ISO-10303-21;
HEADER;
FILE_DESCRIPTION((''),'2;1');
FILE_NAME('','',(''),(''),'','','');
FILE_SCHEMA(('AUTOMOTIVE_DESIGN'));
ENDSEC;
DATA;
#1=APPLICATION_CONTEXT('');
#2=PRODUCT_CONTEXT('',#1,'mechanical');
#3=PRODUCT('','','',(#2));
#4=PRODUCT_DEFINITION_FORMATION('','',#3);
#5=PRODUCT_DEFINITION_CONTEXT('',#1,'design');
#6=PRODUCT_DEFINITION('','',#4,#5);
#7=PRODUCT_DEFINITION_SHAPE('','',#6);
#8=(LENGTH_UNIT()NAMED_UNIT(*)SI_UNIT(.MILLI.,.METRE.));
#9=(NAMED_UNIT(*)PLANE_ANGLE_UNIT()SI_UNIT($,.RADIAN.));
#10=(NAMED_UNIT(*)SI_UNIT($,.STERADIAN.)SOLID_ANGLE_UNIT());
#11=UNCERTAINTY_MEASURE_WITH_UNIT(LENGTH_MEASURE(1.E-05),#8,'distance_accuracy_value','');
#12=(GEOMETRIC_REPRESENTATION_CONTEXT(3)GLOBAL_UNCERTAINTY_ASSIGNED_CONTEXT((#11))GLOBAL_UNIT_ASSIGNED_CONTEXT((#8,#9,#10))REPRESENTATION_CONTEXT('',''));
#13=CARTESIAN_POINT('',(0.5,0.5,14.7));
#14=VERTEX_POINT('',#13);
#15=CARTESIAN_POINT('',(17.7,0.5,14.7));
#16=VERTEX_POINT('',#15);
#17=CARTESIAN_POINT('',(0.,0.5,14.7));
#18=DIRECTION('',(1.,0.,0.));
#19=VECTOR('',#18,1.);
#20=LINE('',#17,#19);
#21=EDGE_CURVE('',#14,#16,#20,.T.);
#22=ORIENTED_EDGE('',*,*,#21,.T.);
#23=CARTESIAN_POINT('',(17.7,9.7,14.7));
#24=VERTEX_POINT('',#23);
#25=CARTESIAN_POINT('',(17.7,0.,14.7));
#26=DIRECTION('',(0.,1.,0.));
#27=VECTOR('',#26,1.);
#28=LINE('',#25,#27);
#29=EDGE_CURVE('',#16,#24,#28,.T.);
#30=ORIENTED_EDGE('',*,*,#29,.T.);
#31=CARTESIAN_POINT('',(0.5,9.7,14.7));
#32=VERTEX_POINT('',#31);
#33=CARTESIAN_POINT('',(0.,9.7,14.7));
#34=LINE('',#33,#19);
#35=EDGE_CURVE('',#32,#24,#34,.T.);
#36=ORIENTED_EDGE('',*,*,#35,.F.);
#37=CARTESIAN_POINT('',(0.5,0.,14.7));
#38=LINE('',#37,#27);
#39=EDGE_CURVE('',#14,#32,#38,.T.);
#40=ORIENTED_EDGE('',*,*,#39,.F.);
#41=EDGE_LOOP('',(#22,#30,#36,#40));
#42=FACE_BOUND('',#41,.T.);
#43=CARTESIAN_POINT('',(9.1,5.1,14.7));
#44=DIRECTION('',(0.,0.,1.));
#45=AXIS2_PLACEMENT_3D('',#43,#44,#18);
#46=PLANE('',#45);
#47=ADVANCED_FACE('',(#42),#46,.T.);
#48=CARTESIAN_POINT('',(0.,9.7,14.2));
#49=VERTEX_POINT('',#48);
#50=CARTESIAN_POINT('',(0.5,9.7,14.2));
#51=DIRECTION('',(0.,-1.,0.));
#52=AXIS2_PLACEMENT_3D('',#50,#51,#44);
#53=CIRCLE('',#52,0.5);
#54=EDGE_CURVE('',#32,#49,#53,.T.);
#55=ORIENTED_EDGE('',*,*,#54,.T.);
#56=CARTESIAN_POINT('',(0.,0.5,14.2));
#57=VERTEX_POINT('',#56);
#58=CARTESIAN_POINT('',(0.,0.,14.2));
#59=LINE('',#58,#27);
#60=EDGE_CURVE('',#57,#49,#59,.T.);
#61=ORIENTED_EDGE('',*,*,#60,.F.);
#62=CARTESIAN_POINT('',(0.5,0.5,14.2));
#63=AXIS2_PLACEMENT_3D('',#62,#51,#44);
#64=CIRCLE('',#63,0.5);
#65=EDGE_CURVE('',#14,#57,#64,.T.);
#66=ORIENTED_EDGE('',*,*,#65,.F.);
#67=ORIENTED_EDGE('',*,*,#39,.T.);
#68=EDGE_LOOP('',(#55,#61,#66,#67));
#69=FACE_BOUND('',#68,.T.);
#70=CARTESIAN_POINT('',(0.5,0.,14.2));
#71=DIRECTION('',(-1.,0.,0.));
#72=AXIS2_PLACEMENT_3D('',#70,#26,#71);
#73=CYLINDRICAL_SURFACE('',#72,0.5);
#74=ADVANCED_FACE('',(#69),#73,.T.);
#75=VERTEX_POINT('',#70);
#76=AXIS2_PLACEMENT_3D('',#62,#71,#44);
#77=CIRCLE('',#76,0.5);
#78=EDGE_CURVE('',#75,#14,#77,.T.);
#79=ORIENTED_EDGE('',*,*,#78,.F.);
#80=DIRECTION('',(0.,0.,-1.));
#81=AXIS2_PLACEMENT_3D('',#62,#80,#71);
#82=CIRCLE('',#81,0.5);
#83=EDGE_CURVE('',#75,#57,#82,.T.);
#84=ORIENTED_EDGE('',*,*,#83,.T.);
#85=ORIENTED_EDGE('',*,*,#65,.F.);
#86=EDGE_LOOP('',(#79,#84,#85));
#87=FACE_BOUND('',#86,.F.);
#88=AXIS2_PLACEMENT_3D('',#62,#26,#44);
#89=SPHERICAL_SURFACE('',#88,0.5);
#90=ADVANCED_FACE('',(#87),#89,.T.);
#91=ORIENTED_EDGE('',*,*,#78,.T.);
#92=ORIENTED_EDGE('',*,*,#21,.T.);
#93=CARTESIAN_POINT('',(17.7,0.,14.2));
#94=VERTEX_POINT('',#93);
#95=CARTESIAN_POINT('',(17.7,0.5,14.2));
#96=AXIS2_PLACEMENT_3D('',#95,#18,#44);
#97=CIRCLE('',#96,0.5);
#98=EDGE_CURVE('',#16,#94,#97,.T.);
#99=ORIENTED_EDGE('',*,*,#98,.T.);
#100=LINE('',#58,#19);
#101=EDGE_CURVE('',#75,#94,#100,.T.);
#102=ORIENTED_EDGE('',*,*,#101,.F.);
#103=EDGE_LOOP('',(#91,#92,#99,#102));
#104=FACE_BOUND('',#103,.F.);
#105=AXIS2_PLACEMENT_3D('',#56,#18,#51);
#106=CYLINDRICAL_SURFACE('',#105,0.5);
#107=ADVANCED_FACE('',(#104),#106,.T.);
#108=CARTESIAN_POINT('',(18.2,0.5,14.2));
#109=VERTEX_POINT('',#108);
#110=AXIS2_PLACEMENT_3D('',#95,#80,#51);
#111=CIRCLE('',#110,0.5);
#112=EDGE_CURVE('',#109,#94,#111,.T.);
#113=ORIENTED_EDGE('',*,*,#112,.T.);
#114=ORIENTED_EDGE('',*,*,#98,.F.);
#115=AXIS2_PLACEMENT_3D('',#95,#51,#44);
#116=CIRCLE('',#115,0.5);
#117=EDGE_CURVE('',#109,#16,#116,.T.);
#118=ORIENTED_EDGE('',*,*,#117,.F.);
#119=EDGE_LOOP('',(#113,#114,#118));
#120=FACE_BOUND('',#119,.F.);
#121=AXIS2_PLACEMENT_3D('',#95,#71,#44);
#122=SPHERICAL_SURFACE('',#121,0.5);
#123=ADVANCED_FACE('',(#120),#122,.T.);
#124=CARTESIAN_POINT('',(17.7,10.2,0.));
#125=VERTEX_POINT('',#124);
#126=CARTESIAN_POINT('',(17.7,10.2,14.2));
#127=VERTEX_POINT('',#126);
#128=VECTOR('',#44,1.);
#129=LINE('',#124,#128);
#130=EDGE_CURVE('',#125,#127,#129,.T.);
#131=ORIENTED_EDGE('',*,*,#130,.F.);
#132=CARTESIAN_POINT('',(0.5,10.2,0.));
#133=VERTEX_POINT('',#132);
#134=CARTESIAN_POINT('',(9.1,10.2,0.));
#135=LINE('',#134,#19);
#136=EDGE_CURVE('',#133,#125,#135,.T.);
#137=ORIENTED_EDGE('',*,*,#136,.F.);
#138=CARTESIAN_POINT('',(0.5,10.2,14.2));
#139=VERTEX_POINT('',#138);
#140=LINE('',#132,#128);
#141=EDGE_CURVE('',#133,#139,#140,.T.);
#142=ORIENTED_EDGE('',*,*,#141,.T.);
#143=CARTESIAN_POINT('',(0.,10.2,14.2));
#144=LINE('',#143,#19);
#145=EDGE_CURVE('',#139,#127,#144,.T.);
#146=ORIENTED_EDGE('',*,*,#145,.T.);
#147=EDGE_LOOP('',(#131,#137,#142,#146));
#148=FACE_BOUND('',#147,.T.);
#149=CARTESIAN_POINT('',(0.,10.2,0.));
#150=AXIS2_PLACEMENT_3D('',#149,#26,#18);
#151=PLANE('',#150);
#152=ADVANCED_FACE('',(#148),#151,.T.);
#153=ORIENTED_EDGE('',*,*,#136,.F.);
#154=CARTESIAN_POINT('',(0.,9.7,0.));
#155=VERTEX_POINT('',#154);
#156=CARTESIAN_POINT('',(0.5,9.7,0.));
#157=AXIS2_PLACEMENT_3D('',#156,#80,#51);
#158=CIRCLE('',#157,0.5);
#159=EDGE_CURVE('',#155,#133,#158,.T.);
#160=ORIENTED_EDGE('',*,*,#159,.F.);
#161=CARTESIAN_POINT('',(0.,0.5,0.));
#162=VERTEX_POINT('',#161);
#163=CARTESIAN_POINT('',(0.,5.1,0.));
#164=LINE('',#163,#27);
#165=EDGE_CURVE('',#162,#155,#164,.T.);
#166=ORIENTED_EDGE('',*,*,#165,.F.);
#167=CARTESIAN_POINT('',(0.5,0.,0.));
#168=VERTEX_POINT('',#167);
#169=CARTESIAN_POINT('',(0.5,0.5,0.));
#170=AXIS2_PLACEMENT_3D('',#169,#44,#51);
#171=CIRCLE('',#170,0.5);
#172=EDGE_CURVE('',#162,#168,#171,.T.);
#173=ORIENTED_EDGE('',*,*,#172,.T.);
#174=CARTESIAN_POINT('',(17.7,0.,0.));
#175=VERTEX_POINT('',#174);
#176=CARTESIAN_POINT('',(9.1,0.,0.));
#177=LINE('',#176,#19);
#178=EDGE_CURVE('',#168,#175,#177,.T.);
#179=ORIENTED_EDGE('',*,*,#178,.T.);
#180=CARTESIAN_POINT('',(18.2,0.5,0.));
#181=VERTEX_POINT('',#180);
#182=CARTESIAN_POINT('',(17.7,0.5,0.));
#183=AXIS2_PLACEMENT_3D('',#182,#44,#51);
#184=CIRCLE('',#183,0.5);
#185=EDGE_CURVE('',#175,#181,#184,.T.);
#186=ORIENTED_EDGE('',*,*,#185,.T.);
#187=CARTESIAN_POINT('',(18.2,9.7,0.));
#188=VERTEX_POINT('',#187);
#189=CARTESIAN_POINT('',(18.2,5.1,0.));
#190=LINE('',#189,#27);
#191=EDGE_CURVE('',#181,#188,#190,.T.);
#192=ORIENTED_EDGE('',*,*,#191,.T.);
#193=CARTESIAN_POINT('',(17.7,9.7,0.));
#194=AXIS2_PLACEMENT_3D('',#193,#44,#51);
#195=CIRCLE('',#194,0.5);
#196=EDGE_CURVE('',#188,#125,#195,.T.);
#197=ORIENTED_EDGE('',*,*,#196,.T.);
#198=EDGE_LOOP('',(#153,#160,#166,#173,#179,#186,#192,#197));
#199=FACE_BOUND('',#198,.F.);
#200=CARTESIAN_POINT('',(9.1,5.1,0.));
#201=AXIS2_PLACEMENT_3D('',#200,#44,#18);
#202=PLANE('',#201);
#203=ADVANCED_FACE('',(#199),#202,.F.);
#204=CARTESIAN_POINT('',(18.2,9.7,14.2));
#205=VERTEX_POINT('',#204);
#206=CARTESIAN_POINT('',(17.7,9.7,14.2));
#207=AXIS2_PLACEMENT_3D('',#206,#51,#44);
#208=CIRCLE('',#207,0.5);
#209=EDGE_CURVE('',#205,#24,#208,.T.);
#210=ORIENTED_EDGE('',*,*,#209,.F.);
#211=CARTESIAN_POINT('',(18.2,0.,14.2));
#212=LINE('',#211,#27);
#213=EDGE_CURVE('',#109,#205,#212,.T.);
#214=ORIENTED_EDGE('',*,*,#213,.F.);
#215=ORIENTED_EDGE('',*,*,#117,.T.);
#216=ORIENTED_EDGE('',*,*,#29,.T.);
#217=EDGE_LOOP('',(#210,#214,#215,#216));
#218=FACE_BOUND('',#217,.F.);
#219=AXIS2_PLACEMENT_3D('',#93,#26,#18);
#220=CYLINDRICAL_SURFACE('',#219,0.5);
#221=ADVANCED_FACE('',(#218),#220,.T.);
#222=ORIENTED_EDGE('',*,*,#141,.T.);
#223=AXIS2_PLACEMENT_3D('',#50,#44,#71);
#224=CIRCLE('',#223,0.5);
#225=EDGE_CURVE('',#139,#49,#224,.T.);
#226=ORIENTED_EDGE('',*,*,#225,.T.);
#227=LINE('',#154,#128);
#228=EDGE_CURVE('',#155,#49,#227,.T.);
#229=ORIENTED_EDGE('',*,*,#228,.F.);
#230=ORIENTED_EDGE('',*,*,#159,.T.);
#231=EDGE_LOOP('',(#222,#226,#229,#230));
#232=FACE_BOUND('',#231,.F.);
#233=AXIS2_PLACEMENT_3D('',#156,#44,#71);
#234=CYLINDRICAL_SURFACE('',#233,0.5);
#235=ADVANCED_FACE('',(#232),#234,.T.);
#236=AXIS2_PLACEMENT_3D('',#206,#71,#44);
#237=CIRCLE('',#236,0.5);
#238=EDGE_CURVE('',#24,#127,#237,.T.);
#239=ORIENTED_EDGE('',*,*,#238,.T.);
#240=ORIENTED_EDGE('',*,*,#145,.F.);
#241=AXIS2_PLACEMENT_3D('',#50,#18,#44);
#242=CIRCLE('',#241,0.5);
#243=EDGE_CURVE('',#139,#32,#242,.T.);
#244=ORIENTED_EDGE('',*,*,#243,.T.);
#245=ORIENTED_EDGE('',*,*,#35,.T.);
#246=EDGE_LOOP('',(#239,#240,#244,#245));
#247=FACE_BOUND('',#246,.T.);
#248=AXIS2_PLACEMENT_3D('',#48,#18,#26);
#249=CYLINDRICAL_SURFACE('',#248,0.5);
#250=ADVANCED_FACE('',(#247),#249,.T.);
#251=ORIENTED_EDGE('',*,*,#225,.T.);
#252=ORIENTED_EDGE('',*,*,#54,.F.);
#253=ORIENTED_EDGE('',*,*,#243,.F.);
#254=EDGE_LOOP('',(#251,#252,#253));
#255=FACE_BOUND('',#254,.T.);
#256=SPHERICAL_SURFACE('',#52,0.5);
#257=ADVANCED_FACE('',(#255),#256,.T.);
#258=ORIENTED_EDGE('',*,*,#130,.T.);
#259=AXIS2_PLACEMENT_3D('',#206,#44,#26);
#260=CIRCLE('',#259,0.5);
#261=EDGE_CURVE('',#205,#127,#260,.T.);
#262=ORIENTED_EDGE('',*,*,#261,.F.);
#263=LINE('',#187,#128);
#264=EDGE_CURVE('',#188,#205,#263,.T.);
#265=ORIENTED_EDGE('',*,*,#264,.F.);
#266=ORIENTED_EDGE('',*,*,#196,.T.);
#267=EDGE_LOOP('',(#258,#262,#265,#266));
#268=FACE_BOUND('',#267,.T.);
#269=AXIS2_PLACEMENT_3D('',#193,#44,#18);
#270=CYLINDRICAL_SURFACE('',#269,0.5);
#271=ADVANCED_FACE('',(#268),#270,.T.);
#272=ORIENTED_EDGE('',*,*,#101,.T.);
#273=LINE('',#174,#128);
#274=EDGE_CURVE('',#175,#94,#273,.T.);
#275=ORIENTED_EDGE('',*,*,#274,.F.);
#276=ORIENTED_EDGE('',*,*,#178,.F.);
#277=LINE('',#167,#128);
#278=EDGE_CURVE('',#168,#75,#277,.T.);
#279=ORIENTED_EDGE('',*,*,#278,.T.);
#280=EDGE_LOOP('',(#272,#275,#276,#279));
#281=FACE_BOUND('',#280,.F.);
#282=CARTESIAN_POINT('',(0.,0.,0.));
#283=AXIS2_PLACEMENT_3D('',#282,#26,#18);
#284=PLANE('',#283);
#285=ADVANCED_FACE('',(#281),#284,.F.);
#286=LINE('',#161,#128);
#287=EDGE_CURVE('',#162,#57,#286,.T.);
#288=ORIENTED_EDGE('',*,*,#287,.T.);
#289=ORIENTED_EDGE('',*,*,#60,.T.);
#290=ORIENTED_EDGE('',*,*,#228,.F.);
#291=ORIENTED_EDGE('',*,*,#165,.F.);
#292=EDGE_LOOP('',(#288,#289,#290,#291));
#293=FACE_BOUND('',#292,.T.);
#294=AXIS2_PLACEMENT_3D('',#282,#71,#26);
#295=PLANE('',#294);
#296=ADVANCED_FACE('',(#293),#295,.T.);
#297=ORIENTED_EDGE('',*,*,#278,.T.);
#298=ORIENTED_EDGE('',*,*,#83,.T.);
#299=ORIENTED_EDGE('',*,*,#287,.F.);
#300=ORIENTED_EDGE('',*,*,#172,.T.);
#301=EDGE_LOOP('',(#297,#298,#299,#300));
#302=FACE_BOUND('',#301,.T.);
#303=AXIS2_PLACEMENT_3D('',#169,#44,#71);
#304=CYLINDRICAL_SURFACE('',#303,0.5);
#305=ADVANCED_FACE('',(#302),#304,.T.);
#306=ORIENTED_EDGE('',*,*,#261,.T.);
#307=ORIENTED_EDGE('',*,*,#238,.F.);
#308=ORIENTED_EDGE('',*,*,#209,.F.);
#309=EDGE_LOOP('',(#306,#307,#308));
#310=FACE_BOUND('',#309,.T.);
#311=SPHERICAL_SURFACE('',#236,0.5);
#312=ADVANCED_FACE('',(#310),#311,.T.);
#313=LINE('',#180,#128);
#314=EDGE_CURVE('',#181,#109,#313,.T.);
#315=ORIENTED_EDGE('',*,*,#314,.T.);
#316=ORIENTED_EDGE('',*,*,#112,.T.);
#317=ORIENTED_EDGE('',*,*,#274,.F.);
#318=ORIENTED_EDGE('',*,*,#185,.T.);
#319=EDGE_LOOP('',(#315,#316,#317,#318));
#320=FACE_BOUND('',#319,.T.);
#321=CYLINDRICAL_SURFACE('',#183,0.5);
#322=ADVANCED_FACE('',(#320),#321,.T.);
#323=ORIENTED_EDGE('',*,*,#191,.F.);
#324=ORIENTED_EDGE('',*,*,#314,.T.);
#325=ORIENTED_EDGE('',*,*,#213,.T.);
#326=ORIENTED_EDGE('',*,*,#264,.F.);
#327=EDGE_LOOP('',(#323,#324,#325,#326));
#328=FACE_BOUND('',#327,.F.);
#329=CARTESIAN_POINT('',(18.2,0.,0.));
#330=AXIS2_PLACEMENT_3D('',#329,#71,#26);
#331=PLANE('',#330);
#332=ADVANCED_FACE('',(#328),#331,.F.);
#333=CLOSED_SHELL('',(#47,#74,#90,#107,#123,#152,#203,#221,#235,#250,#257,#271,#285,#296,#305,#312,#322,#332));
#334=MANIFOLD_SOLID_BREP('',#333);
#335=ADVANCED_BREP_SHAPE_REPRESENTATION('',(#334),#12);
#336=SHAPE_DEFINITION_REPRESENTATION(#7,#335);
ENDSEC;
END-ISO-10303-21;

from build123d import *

# Parameters (mm, degrees)
SKETCH_W  = 18.2
SKETCH_H  = 10.2
PAD_DEPTH = 14.7
FILLET_R  = 0.5


with BuildPart() as part:
    # Sketch → Pad (new body)
    with BuildSketch(Plane.XY):
        with Locations((9.1, 5.1)):
            Rectangle(SKETCH_W, SKETCH_H)
    extrude(amount=PAD_DEPTH)

    # Fillet
    fillet_edges = [part.edges().sort_by_distance(p)[0] for p in [
        (0, 5.1, 14.7),
        (9.1, 0, 14.7),
        (9.1, 10.2, 14.7),
        (18.2, 5.1, 14.7),
        (18.2, 0, 7.35),
        (18.2, 10.2, 7.35),
        (0, 10.2, 7.35),
        (0, 0, 7.35),
    ]]
    fillet(fillet_edges, radius=FILLET_R)


solid = part.part
